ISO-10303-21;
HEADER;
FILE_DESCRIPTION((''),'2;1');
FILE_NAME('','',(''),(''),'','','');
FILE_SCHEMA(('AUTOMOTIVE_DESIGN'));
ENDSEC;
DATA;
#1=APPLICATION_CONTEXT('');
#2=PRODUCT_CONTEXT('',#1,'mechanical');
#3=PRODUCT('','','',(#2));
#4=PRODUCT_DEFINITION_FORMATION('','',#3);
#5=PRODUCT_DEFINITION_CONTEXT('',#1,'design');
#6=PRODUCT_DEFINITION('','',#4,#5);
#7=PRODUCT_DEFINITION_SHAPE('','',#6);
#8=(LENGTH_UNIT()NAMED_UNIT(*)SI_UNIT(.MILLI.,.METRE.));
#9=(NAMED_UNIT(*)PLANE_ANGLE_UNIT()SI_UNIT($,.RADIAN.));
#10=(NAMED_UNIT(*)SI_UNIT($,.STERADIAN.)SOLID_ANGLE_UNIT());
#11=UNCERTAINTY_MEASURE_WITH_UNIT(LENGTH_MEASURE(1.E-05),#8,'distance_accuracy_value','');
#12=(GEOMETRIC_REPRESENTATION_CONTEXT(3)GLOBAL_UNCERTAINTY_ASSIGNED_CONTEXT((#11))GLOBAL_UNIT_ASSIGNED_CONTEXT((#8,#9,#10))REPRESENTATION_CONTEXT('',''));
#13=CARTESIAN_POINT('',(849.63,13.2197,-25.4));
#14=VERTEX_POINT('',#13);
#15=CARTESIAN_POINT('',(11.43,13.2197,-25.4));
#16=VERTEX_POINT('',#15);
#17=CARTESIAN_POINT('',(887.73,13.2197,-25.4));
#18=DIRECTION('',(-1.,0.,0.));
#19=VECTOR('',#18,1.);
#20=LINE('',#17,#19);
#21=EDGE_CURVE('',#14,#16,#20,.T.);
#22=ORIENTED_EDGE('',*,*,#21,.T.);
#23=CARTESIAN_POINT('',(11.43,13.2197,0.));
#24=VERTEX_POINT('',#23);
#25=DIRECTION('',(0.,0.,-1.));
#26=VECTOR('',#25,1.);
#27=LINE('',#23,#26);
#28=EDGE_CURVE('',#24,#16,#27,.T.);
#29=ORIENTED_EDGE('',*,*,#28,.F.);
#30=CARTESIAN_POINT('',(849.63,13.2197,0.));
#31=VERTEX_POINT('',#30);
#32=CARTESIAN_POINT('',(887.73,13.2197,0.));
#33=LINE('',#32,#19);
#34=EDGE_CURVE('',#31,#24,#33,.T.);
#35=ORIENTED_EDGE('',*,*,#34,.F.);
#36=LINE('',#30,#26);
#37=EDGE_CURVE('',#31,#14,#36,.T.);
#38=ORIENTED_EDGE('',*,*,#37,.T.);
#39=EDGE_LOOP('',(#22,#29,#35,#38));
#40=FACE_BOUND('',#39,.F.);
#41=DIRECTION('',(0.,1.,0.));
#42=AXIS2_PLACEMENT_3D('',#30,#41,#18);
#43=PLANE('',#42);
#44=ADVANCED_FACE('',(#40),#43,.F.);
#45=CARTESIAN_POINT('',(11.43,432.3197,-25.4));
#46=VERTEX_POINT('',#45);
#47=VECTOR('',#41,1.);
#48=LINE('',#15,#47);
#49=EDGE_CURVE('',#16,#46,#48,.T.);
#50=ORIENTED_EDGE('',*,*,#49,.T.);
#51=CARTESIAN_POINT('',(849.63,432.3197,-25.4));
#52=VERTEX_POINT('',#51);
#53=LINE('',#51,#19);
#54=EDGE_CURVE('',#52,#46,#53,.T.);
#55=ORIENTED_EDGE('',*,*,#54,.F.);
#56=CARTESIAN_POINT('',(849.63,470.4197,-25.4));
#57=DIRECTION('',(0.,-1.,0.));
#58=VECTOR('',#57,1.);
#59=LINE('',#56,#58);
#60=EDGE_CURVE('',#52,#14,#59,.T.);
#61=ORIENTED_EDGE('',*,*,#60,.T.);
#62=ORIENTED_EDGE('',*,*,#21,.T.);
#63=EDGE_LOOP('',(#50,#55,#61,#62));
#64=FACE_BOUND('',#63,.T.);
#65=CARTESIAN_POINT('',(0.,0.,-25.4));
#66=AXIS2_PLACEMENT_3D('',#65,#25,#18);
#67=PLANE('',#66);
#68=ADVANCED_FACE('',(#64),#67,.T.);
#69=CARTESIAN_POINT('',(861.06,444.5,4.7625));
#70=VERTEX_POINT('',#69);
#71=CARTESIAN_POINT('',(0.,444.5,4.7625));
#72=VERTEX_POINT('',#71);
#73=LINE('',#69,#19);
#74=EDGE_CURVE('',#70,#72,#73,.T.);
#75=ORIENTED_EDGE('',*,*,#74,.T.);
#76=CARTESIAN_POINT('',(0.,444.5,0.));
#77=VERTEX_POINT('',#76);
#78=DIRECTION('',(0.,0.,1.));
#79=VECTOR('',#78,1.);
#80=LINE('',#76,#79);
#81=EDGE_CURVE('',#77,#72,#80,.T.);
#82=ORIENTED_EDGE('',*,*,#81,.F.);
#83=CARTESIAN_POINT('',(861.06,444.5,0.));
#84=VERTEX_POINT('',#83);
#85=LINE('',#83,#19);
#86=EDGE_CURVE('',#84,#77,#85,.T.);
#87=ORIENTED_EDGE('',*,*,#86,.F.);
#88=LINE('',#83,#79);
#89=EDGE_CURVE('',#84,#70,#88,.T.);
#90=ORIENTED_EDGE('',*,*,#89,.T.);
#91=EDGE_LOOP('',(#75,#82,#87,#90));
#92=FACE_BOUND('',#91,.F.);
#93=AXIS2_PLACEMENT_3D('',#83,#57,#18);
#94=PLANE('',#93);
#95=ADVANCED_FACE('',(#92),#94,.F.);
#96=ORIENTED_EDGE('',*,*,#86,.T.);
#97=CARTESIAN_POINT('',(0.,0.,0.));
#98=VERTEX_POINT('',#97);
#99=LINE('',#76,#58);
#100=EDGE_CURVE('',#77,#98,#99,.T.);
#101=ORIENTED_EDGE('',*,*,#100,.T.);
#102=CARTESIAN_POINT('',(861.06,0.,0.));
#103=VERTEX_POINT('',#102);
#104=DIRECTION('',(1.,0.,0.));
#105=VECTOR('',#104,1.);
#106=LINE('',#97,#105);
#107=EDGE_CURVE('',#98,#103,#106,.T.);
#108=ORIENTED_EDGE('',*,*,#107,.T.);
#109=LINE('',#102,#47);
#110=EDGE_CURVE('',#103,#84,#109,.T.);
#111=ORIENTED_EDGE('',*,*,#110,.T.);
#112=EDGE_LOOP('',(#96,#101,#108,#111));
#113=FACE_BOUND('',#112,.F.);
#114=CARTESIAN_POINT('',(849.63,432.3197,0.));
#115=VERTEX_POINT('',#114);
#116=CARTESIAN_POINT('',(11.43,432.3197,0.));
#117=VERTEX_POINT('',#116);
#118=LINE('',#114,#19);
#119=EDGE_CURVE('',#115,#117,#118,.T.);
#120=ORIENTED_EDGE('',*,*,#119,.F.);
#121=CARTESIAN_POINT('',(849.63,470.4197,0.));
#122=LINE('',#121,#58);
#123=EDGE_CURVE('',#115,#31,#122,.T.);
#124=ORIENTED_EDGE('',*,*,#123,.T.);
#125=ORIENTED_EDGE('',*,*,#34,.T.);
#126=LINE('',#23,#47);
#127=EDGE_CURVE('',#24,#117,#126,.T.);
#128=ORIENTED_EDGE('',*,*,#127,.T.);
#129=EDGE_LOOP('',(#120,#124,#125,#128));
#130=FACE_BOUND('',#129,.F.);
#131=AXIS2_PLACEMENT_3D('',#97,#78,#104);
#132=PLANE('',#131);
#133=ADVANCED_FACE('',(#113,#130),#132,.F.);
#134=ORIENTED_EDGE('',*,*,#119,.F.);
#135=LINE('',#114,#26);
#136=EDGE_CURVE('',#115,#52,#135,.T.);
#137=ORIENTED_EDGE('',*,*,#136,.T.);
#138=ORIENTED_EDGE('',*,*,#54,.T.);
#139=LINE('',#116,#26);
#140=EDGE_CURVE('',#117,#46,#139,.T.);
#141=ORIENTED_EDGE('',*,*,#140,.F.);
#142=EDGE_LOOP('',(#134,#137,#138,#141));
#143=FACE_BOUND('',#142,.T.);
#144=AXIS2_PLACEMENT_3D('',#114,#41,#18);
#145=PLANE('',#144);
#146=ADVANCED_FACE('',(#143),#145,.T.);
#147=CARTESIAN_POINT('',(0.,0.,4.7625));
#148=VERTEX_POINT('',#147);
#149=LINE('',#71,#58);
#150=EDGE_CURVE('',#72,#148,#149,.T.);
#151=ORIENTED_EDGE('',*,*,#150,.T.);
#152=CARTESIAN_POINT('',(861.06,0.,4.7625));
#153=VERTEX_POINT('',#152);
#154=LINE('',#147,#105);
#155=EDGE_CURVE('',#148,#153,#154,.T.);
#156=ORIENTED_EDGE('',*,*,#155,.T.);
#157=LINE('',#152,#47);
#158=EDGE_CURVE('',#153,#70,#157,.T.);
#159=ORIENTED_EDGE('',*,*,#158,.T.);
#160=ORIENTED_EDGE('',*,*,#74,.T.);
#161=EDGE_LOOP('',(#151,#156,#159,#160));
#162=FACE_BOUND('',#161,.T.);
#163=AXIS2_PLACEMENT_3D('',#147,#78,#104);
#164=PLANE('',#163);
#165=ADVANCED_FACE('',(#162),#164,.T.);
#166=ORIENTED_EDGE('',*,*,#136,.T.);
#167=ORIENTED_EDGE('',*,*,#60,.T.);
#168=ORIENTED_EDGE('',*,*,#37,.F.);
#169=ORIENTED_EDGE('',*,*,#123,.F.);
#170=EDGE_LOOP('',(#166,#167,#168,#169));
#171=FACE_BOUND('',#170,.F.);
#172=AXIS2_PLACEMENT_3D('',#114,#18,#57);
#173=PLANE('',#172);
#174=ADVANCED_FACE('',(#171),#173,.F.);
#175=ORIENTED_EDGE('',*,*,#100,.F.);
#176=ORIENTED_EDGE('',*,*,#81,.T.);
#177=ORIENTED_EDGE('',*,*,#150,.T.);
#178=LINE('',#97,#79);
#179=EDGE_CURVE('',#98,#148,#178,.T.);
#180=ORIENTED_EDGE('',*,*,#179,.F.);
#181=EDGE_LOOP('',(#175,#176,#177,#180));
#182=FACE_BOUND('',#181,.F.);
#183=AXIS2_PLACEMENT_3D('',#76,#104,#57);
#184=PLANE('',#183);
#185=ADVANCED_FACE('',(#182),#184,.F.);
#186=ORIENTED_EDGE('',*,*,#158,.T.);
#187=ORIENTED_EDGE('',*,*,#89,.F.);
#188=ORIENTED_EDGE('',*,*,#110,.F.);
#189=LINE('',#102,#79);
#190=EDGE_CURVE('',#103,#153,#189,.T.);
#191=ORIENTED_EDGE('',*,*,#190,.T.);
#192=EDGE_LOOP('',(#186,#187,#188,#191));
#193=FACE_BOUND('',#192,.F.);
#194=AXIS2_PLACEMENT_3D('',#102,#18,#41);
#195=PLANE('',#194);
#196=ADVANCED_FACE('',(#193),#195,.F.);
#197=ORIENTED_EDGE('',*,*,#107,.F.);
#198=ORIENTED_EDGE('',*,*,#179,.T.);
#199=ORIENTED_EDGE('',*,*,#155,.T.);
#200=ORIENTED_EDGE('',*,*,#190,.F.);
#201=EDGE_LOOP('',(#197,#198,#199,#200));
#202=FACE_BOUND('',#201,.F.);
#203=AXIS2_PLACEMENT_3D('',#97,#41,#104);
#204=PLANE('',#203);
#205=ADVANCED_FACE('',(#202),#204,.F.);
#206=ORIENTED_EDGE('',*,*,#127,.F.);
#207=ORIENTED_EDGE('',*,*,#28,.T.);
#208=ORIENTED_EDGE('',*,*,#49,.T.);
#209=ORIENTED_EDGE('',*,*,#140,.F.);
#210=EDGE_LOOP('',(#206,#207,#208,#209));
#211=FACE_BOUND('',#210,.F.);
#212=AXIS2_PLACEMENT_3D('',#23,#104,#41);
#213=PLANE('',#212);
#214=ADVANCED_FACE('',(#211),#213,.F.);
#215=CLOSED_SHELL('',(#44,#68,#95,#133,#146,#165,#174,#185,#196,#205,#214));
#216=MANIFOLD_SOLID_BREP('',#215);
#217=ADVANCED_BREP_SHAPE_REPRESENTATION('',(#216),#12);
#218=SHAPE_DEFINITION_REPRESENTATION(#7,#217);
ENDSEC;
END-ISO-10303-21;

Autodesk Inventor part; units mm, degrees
ref_plane "YZ Plane" through (0, 0, 0) normal (1, 0, 0) x (0, 1, 0)
ref_plane "XZ Plane" through (0, 0, 0) normal (0, 1, 0) x (-1, 0, 0)
ref_plane "XY Plane" through (0, 0, 0) normal (0, 0, 1) x (1, 0, 0)
sketch "Sketch1" plane through (0, 0, 0) normal (0, 0, 1) x (1, 0, 0)
  line L0 (0, 0) -> (861.06, 0)
  line L1 (861.06, 0) -> (861.06, 444.5)
  line L2 (861.06, 444.5) -> (0, 444.5)
  line L3 (0, 444.5) -> (0, 0)
  dimension "d2" = 861.06
  dimension "d3" = 444.5
extrude "Extrusion1" add sketch "Sketch1" along normal blind 4.7625
sketch "Sketch2" plane through (0, 0, 0) normal (0, 0, -1) x (-1, 0, 0)
  line L0 (-11.43, 13.2197) -> (-11.43, 470.4197) projected
  line L1 (-849.63, 432.3197) -> (-11.43, 432.3197) projected
  line L2 (-887.73, 13.2197) -> (26.67, 13.2197) projected
  line L3 (-849.63, 470.4197) -> (-849.63, 13.2197) projected
  line L4 (-849.63, 13.2197) -> (-11.43, 13.2197)
  line L5 (-11.43, 13.2197) -> (-11.43, 432.3197)
  line L6 (-11.43, 432.3197) -> (-849.63, 432.3197)
  line L7 (-849.63, 432.3197) -> (-849.63, 13.2197)
  point P0 (0, 0)
extrude "Extrusion2" add sketch "Sketch2" along normal blind 25.4
properties part number "gatorboard_01875in_front_door"
